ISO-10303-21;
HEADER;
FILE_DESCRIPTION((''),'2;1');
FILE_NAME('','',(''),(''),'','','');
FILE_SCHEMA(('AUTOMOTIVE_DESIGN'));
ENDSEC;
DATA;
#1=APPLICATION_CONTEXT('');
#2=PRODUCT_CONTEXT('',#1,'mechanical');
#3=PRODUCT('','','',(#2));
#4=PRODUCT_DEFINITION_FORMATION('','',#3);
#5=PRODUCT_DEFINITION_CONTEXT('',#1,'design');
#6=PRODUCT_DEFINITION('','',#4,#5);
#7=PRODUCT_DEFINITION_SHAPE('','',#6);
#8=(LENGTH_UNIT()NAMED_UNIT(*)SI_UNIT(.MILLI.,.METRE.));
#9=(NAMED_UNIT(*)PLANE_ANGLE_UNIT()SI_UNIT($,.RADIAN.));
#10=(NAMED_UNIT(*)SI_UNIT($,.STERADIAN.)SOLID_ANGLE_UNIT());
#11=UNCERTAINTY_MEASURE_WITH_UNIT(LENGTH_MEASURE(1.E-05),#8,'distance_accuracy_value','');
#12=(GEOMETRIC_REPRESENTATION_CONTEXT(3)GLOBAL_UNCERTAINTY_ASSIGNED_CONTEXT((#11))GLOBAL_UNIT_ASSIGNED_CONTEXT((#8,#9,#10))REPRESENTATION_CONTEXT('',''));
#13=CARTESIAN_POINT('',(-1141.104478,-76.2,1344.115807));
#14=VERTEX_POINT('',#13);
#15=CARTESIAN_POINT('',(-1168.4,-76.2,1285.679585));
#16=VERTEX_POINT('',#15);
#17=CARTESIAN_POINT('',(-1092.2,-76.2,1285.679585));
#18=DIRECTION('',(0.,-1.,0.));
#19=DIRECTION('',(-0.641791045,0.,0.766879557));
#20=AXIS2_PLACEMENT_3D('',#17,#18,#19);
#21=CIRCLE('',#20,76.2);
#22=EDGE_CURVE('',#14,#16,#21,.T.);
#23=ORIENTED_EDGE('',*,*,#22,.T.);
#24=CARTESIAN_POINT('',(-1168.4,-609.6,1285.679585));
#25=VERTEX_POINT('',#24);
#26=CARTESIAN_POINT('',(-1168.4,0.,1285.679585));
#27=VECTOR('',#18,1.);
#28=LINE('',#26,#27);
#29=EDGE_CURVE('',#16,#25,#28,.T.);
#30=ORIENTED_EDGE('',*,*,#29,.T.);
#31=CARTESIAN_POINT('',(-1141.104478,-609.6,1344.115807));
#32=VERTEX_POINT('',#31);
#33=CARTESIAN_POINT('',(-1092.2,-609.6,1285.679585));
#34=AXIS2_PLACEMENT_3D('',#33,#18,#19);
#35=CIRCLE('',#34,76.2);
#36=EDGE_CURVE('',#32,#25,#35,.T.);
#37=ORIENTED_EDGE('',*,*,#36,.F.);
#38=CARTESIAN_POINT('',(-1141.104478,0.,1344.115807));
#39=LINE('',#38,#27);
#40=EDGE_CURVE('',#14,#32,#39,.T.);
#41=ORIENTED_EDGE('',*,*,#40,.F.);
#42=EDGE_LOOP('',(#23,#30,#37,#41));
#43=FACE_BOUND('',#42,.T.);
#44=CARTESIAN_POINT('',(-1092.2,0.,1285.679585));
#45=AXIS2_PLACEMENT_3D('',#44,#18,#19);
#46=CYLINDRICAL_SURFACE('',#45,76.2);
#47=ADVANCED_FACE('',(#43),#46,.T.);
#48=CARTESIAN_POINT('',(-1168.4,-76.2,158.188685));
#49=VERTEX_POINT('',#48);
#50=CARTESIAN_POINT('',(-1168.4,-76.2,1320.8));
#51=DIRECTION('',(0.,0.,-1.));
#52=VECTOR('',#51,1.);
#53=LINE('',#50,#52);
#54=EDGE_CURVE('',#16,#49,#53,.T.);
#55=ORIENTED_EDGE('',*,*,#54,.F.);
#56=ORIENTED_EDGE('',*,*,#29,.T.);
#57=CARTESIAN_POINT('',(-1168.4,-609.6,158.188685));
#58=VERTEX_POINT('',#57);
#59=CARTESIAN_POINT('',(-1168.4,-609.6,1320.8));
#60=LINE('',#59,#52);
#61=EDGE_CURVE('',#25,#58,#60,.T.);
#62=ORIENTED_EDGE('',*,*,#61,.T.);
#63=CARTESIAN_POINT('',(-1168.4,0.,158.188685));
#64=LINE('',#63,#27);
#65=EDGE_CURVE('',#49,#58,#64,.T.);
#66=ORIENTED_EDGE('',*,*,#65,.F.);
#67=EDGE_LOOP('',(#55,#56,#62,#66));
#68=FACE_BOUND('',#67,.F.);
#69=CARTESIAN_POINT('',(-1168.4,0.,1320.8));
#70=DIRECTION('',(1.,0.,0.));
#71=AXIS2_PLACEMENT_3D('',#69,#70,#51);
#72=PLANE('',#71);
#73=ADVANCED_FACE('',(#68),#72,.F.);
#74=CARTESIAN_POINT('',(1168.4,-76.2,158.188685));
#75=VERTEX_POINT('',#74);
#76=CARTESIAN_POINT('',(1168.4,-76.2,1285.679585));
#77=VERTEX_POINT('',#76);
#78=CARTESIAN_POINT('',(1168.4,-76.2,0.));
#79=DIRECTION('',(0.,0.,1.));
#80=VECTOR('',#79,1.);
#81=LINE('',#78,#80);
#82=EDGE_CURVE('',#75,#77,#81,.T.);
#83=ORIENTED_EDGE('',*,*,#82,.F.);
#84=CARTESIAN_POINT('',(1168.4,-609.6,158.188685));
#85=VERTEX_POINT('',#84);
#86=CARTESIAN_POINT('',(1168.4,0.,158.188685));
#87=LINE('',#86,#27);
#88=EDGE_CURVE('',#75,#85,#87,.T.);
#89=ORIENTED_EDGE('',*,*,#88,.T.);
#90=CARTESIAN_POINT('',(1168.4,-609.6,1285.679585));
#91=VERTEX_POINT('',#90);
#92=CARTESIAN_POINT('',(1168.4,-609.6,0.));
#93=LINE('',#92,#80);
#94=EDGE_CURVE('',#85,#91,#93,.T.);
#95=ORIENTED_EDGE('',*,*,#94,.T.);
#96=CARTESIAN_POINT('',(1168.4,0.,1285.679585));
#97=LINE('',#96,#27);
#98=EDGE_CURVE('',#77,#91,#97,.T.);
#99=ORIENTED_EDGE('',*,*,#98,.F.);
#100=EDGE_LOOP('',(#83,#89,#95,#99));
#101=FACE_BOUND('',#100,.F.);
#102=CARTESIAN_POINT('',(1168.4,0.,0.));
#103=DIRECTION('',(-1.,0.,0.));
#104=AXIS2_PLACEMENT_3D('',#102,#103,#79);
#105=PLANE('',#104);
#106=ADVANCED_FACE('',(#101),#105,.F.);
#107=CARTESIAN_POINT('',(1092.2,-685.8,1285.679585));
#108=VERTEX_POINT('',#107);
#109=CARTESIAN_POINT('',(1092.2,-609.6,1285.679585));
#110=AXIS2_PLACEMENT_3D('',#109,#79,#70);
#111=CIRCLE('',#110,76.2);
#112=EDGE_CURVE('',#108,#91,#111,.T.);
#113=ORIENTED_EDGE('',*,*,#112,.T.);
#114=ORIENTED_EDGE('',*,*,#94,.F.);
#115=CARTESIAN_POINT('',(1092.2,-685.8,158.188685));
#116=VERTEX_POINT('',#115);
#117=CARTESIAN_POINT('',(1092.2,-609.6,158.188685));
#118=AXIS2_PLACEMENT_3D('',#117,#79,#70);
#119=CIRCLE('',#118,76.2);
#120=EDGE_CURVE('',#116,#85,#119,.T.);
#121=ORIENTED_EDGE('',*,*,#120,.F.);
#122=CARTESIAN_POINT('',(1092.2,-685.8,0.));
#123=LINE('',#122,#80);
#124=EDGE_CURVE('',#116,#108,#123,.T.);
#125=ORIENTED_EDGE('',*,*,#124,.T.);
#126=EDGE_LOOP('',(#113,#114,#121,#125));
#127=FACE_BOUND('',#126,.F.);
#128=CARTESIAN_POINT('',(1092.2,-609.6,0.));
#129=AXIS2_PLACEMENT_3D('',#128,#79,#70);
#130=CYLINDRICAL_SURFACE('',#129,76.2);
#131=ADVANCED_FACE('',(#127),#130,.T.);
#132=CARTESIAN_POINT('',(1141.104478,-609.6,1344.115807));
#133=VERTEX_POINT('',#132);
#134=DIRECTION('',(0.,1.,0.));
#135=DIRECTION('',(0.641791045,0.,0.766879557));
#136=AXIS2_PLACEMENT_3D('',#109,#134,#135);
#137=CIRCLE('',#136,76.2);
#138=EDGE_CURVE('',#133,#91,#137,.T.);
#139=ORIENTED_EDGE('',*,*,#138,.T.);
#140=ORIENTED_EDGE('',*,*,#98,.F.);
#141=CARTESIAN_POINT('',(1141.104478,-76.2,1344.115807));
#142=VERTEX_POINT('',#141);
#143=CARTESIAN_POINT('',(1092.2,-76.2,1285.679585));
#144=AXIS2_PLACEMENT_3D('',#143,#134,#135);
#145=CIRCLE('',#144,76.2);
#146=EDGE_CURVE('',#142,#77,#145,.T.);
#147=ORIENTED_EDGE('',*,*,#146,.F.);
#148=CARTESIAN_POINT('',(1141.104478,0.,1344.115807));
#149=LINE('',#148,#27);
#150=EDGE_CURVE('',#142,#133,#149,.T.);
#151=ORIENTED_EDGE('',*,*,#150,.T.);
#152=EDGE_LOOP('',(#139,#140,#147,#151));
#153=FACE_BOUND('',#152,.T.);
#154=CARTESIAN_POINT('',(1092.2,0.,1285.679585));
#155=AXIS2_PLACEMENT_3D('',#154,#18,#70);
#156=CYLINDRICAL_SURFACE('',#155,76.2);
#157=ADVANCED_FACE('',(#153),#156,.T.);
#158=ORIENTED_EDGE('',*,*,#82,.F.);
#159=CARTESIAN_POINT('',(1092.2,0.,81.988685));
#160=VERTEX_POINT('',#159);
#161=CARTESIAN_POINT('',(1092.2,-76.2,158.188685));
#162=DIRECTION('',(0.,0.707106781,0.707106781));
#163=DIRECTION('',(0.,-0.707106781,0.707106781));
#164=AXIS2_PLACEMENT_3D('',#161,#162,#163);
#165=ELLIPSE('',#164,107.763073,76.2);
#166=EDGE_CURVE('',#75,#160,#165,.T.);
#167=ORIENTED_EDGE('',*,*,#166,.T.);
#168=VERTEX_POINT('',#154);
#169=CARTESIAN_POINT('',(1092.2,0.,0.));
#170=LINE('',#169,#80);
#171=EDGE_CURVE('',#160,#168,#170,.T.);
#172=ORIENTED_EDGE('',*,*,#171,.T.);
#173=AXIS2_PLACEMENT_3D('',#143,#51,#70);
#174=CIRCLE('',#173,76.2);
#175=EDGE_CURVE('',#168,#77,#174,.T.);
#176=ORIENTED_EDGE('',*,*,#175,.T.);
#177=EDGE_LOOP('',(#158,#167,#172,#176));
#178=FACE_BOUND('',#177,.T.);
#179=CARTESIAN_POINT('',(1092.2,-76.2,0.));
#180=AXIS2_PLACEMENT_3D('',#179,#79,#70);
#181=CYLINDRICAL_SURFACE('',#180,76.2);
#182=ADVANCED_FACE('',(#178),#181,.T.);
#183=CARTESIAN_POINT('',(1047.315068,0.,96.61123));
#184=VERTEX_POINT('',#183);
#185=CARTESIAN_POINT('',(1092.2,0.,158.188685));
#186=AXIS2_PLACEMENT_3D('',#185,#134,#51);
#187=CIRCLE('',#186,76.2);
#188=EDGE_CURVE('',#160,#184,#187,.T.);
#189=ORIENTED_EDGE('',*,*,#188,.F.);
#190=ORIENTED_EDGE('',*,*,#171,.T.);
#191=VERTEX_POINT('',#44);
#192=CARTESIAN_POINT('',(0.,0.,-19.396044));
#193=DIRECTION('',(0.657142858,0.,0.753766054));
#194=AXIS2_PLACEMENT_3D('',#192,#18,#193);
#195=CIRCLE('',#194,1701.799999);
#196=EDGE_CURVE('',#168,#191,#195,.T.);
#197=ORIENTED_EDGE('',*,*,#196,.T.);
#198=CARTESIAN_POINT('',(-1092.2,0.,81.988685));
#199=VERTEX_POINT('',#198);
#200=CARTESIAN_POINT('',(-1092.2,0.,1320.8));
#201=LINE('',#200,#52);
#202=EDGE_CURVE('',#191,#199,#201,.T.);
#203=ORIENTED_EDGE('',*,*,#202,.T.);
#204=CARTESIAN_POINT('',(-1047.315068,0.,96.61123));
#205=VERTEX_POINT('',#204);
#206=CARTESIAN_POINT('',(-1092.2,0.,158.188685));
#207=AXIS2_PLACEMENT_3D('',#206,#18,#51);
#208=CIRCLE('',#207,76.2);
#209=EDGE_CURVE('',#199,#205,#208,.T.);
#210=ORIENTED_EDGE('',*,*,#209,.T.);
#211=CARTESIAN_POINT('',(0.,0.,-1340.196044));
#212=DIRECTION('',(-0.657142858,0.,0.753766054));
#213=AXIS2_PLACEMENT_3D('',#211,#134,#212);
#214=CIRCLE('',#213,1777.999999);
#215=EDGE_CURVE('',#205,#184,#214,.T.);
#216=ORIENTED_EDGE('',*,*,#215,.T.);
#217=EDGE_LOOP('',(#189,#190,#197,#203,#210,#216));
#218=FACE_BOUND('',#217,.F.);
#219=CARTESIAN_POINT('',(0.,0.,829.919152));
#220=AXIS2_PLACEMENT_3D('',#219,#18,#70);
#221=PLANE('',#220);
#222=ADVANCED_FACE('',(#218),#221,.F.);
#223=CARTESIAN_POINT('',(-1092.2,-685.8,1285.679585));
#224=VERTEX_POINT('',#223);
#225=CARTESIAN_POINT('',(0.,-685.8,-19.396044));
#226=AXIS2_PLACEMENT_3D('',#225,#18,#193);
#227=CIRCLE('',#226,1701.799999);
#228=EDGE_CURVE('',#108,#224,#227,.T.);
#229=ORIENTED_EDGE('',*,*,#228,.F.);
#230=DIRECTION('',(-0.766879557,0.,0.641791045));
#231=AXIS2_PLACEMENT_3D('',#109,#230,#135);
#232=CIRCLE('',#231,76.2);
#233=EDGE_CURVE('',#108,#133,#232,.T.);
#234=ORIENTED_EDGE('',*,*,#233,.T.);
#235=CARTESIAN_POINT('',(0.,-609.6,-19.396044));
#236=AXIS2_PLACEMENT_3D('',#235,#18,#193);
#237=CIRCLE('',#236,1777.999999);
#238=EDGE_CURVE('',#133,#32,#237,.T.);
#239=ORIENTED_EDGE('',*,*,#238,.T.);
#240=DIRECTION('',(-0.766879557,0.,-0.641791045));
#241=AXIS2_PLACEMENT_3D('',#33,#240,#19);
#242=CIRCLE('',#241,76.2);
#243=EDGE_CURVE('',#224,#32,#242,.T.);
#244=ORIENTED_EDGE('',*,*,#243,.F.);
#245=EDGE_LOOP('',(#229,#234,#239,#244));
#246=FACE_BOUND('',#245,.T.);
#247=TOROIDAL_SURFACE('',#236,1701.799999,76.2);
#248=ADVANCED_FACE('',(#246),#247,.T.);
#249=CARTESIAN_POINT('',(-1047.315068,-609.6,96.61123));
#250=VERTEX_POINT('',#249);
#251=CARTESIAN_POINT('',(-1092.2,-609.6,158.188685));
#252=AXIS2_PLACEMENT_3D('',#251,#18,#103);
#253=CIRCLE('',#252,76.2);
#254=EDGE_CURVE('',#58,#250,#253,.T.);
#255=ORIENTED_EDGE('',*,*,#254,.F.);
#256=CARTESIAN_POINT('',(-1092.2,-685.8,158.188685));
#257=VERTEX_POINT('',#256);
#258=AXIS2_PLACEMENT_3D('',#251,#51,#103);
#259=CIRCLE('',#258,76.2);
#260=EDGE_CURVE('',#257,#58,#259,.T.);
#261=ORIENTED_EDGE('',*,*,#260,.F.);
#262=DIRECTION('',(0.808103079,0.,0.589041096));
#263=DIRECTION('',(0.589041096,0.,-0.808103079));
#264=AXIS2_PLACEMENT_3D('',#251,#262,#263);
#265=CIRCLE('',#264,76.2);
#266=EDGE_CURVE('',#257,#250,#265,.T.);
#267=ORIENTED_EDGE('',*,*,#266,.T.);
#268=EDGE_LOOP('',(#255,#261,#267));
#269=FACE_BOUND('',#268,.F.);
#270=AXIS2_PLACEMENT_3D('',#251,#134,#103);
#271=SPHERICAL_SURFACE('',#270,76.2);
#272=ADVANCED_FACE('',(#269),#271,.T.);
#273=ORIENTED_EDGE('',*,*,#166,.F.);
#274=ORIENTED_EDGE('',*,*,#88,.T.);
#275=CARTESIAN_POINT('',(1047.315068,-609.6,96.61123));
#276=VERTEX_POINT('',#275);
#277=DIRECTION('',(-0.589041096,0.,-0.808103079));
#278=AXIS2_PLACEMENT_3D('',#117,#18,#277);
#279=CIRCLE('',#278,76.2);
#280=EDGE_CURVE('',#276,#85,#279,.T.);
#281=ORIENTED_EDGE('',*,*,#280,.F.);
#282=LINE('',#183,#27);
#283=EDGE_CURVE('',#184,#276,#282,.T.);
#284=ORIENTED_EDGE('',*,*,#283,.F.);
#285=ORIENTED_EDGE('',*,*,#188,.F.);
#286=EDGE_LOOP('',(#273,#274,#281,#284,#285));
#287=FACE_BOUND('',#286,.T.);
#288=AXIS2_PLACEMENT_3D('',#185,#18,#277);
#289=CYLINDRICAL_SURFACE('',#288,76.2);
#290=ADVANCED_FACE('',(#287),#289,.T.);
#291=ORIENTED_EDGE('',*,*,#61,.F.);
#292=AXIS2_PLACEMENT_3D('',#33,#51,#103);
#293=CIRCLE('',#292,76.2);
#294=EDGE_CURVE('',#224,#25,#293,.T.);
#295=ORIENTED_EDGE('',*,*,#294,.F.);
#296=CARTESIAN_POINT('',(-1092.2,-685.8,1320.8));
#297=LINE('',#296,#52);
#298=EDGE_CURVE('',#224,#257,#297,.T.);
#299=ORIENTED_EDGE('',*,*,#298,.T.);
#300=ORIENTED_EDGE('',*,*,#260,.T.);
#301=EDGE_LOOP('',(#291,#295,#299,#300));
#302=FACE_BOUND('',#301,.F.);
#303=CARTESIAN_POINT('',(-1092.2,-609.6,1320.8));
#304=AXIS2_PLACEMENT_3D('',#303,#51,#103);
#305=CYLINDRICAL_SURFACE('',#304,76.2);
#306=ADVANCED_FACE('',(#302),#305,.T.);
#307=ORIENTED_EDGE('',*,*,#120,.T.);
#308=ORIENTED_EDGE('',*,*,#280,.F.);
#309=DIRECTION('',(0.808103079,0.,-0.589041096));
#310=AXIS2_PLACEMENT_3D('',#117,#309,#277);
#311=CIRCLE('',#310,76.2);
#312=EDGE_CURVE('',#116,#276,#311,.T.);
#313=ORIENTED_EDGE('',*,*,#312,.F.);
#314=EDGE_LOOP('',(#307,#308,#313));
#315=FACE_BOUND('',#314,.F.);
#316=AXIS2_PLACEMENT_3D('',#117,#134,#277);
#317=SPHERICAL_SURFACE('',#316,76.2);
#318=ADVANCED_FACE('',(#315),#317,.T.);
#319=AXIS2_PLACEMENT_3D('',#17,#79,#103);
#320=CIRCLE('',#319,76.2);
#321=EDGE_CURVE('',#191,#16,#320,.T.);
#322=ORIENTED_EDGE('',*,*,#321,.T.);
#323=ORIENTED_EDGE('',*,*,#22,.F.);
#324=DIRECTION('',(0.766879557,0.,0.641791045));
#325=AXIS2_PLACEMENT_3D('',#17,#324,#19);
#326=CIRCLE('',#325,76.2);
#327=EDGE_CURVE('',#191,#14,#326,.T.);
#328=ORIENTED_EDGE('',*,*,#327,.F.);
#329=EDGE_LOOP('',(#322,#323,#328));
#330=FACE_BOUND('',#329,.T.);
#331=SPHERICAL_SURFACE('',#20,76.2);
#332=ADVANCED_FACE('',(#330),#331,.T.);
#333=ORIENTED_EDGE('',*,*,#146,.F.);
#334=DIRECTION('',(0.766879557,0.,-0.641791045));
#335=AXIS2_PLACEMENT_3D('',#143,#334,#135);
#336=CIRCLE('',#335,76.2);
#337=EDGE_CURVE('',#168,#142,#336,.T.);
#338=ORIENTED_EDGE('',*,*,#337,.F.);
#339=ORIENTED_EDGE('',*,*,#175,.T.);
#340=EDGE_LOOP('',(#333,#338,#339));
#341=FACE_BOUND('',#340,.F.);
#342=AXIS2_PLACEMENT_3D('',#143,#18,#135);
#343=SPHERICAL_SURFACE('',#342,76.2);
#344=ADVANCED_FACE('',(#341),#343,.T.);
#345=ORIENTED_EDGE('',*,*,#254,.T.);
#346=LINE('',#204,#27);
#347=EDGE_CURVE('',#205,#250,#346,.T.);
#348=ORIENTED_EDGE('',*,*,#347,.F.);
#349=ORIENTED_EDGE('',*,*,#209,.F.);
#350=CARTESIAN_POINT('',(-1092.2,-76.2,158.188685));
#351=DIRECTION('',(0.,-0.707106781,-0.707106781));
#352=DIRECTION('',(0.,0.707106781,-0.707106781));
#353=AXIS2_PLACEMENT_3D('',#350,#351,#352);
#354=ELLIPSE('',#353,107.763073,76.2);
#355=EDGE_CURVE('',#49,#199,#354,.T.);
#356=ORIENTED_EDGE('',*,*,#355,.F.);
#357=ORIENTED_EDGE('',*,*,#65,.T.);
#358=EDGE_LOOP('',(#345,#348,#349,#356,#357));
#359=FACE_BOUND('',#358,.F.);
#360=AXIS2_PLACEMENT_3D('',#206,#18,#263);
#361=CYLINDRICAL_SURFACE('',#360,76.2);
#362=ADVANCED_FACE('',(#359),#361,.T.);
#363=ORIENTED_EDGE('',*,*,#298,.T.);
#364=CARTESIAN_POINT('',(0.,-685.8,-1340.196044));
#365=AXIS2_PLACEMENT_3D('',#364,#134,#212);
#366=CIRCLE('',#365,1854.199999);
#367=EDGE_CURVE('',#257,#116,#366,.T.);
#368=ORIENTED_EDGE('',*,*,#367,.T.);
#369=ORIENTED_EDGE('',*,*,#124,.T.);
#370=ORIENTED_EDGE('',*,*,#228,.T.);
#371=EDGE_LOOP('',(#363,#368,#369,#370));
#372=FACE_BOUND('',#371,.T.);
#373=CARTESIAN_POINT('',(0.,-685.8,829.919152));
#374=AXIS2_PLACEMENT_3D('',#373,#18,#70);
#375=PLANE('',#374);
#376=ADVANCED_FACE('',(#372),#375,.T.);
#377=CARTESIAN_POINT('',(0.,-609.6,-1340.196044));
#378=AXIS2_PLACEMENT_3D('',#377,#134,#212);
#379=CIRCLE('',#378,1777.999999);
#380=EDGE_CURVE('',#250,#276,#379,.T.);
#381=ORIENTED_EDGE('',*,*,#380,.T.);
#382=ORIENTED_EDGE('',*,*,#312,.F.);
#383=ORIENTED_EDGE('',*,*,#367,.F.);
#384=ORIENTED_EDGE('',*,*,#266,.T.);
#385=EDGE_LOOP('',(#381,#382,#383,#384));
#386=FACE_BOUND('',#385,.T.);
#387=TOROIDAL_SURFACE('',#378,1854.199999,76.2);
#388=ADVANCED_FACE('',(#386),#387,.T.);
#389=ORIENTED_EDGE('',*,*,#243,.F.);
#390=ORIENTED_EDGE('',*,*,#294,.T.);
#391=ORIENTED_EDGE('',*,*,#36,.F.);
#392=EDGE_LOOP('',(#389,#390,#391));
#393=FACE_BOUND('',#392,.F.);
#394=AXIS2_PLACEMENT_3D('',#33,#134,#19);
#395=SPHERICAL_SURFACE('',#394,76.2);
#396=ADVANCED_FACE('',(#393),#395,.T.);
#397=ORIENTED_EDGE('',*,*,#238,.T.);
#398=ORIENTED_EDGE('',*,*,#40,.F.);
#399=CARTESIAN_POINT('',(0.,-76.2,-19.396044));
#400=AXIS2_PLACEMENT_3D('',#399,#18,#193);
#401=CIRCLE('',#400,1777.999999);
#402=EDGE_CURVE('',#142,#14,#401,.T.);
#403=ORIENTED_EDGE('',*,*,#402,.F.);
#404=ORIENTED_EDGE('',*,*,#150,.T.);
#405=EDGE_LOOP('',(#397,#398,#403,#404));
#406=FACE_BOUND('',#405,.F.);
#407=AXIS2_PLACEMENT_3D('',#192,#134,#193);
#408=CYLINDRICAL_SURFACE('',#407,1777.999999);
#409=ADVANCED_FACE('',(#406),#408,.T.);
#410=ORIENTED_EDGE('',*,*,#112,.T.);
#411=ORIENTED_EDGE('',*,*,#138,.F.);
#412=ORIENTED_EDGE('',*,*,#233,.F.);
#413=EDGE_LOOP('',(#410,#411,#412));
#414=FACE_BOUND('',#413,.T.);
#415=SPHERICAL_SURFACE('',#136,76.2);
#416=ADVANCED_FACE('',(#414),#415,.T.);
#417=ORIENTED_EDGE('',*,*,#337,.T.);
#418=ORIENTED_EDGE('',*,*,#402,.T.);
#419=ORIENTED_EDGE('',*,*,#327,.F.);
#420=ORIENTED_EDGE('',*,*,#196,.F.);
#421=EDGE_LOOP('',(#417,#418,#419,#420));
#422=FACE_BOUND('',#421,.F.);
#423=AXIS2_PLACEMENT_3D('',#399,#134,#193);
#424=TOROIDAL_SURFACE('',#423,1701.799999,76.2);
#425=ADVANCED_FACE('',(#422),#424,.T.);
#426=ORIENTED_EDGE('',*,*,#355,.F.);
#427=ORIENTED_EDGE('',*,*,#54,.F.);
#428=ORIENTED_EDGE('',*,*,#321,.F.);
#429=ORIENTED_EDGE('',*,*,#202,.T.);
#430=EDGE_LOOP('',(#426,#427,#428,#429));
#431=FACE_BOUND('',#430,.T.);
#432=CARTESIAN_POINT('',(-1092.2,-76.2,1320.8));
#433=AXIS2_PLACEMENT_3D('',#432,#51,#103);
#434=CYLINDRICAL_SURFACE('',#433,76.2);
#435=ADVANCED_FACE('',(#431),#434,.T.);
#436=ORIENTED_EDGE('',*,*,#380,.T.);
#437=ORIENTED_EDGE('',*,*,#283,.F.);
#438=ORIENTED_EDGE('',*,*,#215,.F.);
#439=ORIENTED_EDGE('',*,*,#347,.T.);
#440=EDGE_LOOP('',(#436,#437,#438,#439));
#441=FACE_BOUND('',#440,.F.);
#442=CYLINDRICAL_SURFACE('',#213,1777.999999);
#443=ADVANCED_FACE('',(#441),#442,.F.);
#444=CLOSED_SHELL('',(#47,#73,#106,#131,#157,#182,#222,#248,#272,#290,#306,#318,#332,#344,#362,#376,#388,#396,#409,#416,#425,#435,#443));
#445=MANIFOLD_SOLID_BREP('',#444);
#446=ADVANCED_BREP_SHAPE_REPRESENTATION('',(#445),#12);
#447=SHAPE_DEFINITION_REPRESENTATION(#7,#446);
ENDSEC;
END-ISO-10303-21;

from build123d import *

# Parameters (mm, degrees)
F1_DEPTH = 685.8
F2_R     = 76.2


with BuildPart() as f1:
    # F0 (on Front) → F1 (new body)
    with BuildSketch(Plane.XZ):
        with BuildLine():
            ThreePointArc((-1168.4, 0), (0, 437.803955), (1168.4, 0))
            Line((1168.4, 0), (1168.4, 1320.8))
            ThreePointArc((1168.4, 1320.8), (0, 1758.603955), (-1168.4, 1320.8))
            Line((-1168.4, 1320.8), (-1168.4, 0))
        make_face()
    extrude(amount=F1_DEPTH)

    # F2
    f2_edges = [f1.edges().sort_by_distance(p)[0] for p in [
        (0, -685.8, 1758.603955),
        (-1168.4, -685.8, 660.4),
        (0, -685.8, 437.803955),
        (1168.4, -685.8, 660.4),
        (1168.4, -342.9, 1320.8),
        (-1168.4, -342.9, 1320.8),
        (0, 0, 1758.603955),
        (1168.4, -342.9, 0),
        (1168.4, 0, 660.4),
        (-1168.4, -342.9, 0),
        (-1168.4, 0, 660.4),
    ]]
    fillet(f2_edges, radius=F2_R)


solid = f1.part
